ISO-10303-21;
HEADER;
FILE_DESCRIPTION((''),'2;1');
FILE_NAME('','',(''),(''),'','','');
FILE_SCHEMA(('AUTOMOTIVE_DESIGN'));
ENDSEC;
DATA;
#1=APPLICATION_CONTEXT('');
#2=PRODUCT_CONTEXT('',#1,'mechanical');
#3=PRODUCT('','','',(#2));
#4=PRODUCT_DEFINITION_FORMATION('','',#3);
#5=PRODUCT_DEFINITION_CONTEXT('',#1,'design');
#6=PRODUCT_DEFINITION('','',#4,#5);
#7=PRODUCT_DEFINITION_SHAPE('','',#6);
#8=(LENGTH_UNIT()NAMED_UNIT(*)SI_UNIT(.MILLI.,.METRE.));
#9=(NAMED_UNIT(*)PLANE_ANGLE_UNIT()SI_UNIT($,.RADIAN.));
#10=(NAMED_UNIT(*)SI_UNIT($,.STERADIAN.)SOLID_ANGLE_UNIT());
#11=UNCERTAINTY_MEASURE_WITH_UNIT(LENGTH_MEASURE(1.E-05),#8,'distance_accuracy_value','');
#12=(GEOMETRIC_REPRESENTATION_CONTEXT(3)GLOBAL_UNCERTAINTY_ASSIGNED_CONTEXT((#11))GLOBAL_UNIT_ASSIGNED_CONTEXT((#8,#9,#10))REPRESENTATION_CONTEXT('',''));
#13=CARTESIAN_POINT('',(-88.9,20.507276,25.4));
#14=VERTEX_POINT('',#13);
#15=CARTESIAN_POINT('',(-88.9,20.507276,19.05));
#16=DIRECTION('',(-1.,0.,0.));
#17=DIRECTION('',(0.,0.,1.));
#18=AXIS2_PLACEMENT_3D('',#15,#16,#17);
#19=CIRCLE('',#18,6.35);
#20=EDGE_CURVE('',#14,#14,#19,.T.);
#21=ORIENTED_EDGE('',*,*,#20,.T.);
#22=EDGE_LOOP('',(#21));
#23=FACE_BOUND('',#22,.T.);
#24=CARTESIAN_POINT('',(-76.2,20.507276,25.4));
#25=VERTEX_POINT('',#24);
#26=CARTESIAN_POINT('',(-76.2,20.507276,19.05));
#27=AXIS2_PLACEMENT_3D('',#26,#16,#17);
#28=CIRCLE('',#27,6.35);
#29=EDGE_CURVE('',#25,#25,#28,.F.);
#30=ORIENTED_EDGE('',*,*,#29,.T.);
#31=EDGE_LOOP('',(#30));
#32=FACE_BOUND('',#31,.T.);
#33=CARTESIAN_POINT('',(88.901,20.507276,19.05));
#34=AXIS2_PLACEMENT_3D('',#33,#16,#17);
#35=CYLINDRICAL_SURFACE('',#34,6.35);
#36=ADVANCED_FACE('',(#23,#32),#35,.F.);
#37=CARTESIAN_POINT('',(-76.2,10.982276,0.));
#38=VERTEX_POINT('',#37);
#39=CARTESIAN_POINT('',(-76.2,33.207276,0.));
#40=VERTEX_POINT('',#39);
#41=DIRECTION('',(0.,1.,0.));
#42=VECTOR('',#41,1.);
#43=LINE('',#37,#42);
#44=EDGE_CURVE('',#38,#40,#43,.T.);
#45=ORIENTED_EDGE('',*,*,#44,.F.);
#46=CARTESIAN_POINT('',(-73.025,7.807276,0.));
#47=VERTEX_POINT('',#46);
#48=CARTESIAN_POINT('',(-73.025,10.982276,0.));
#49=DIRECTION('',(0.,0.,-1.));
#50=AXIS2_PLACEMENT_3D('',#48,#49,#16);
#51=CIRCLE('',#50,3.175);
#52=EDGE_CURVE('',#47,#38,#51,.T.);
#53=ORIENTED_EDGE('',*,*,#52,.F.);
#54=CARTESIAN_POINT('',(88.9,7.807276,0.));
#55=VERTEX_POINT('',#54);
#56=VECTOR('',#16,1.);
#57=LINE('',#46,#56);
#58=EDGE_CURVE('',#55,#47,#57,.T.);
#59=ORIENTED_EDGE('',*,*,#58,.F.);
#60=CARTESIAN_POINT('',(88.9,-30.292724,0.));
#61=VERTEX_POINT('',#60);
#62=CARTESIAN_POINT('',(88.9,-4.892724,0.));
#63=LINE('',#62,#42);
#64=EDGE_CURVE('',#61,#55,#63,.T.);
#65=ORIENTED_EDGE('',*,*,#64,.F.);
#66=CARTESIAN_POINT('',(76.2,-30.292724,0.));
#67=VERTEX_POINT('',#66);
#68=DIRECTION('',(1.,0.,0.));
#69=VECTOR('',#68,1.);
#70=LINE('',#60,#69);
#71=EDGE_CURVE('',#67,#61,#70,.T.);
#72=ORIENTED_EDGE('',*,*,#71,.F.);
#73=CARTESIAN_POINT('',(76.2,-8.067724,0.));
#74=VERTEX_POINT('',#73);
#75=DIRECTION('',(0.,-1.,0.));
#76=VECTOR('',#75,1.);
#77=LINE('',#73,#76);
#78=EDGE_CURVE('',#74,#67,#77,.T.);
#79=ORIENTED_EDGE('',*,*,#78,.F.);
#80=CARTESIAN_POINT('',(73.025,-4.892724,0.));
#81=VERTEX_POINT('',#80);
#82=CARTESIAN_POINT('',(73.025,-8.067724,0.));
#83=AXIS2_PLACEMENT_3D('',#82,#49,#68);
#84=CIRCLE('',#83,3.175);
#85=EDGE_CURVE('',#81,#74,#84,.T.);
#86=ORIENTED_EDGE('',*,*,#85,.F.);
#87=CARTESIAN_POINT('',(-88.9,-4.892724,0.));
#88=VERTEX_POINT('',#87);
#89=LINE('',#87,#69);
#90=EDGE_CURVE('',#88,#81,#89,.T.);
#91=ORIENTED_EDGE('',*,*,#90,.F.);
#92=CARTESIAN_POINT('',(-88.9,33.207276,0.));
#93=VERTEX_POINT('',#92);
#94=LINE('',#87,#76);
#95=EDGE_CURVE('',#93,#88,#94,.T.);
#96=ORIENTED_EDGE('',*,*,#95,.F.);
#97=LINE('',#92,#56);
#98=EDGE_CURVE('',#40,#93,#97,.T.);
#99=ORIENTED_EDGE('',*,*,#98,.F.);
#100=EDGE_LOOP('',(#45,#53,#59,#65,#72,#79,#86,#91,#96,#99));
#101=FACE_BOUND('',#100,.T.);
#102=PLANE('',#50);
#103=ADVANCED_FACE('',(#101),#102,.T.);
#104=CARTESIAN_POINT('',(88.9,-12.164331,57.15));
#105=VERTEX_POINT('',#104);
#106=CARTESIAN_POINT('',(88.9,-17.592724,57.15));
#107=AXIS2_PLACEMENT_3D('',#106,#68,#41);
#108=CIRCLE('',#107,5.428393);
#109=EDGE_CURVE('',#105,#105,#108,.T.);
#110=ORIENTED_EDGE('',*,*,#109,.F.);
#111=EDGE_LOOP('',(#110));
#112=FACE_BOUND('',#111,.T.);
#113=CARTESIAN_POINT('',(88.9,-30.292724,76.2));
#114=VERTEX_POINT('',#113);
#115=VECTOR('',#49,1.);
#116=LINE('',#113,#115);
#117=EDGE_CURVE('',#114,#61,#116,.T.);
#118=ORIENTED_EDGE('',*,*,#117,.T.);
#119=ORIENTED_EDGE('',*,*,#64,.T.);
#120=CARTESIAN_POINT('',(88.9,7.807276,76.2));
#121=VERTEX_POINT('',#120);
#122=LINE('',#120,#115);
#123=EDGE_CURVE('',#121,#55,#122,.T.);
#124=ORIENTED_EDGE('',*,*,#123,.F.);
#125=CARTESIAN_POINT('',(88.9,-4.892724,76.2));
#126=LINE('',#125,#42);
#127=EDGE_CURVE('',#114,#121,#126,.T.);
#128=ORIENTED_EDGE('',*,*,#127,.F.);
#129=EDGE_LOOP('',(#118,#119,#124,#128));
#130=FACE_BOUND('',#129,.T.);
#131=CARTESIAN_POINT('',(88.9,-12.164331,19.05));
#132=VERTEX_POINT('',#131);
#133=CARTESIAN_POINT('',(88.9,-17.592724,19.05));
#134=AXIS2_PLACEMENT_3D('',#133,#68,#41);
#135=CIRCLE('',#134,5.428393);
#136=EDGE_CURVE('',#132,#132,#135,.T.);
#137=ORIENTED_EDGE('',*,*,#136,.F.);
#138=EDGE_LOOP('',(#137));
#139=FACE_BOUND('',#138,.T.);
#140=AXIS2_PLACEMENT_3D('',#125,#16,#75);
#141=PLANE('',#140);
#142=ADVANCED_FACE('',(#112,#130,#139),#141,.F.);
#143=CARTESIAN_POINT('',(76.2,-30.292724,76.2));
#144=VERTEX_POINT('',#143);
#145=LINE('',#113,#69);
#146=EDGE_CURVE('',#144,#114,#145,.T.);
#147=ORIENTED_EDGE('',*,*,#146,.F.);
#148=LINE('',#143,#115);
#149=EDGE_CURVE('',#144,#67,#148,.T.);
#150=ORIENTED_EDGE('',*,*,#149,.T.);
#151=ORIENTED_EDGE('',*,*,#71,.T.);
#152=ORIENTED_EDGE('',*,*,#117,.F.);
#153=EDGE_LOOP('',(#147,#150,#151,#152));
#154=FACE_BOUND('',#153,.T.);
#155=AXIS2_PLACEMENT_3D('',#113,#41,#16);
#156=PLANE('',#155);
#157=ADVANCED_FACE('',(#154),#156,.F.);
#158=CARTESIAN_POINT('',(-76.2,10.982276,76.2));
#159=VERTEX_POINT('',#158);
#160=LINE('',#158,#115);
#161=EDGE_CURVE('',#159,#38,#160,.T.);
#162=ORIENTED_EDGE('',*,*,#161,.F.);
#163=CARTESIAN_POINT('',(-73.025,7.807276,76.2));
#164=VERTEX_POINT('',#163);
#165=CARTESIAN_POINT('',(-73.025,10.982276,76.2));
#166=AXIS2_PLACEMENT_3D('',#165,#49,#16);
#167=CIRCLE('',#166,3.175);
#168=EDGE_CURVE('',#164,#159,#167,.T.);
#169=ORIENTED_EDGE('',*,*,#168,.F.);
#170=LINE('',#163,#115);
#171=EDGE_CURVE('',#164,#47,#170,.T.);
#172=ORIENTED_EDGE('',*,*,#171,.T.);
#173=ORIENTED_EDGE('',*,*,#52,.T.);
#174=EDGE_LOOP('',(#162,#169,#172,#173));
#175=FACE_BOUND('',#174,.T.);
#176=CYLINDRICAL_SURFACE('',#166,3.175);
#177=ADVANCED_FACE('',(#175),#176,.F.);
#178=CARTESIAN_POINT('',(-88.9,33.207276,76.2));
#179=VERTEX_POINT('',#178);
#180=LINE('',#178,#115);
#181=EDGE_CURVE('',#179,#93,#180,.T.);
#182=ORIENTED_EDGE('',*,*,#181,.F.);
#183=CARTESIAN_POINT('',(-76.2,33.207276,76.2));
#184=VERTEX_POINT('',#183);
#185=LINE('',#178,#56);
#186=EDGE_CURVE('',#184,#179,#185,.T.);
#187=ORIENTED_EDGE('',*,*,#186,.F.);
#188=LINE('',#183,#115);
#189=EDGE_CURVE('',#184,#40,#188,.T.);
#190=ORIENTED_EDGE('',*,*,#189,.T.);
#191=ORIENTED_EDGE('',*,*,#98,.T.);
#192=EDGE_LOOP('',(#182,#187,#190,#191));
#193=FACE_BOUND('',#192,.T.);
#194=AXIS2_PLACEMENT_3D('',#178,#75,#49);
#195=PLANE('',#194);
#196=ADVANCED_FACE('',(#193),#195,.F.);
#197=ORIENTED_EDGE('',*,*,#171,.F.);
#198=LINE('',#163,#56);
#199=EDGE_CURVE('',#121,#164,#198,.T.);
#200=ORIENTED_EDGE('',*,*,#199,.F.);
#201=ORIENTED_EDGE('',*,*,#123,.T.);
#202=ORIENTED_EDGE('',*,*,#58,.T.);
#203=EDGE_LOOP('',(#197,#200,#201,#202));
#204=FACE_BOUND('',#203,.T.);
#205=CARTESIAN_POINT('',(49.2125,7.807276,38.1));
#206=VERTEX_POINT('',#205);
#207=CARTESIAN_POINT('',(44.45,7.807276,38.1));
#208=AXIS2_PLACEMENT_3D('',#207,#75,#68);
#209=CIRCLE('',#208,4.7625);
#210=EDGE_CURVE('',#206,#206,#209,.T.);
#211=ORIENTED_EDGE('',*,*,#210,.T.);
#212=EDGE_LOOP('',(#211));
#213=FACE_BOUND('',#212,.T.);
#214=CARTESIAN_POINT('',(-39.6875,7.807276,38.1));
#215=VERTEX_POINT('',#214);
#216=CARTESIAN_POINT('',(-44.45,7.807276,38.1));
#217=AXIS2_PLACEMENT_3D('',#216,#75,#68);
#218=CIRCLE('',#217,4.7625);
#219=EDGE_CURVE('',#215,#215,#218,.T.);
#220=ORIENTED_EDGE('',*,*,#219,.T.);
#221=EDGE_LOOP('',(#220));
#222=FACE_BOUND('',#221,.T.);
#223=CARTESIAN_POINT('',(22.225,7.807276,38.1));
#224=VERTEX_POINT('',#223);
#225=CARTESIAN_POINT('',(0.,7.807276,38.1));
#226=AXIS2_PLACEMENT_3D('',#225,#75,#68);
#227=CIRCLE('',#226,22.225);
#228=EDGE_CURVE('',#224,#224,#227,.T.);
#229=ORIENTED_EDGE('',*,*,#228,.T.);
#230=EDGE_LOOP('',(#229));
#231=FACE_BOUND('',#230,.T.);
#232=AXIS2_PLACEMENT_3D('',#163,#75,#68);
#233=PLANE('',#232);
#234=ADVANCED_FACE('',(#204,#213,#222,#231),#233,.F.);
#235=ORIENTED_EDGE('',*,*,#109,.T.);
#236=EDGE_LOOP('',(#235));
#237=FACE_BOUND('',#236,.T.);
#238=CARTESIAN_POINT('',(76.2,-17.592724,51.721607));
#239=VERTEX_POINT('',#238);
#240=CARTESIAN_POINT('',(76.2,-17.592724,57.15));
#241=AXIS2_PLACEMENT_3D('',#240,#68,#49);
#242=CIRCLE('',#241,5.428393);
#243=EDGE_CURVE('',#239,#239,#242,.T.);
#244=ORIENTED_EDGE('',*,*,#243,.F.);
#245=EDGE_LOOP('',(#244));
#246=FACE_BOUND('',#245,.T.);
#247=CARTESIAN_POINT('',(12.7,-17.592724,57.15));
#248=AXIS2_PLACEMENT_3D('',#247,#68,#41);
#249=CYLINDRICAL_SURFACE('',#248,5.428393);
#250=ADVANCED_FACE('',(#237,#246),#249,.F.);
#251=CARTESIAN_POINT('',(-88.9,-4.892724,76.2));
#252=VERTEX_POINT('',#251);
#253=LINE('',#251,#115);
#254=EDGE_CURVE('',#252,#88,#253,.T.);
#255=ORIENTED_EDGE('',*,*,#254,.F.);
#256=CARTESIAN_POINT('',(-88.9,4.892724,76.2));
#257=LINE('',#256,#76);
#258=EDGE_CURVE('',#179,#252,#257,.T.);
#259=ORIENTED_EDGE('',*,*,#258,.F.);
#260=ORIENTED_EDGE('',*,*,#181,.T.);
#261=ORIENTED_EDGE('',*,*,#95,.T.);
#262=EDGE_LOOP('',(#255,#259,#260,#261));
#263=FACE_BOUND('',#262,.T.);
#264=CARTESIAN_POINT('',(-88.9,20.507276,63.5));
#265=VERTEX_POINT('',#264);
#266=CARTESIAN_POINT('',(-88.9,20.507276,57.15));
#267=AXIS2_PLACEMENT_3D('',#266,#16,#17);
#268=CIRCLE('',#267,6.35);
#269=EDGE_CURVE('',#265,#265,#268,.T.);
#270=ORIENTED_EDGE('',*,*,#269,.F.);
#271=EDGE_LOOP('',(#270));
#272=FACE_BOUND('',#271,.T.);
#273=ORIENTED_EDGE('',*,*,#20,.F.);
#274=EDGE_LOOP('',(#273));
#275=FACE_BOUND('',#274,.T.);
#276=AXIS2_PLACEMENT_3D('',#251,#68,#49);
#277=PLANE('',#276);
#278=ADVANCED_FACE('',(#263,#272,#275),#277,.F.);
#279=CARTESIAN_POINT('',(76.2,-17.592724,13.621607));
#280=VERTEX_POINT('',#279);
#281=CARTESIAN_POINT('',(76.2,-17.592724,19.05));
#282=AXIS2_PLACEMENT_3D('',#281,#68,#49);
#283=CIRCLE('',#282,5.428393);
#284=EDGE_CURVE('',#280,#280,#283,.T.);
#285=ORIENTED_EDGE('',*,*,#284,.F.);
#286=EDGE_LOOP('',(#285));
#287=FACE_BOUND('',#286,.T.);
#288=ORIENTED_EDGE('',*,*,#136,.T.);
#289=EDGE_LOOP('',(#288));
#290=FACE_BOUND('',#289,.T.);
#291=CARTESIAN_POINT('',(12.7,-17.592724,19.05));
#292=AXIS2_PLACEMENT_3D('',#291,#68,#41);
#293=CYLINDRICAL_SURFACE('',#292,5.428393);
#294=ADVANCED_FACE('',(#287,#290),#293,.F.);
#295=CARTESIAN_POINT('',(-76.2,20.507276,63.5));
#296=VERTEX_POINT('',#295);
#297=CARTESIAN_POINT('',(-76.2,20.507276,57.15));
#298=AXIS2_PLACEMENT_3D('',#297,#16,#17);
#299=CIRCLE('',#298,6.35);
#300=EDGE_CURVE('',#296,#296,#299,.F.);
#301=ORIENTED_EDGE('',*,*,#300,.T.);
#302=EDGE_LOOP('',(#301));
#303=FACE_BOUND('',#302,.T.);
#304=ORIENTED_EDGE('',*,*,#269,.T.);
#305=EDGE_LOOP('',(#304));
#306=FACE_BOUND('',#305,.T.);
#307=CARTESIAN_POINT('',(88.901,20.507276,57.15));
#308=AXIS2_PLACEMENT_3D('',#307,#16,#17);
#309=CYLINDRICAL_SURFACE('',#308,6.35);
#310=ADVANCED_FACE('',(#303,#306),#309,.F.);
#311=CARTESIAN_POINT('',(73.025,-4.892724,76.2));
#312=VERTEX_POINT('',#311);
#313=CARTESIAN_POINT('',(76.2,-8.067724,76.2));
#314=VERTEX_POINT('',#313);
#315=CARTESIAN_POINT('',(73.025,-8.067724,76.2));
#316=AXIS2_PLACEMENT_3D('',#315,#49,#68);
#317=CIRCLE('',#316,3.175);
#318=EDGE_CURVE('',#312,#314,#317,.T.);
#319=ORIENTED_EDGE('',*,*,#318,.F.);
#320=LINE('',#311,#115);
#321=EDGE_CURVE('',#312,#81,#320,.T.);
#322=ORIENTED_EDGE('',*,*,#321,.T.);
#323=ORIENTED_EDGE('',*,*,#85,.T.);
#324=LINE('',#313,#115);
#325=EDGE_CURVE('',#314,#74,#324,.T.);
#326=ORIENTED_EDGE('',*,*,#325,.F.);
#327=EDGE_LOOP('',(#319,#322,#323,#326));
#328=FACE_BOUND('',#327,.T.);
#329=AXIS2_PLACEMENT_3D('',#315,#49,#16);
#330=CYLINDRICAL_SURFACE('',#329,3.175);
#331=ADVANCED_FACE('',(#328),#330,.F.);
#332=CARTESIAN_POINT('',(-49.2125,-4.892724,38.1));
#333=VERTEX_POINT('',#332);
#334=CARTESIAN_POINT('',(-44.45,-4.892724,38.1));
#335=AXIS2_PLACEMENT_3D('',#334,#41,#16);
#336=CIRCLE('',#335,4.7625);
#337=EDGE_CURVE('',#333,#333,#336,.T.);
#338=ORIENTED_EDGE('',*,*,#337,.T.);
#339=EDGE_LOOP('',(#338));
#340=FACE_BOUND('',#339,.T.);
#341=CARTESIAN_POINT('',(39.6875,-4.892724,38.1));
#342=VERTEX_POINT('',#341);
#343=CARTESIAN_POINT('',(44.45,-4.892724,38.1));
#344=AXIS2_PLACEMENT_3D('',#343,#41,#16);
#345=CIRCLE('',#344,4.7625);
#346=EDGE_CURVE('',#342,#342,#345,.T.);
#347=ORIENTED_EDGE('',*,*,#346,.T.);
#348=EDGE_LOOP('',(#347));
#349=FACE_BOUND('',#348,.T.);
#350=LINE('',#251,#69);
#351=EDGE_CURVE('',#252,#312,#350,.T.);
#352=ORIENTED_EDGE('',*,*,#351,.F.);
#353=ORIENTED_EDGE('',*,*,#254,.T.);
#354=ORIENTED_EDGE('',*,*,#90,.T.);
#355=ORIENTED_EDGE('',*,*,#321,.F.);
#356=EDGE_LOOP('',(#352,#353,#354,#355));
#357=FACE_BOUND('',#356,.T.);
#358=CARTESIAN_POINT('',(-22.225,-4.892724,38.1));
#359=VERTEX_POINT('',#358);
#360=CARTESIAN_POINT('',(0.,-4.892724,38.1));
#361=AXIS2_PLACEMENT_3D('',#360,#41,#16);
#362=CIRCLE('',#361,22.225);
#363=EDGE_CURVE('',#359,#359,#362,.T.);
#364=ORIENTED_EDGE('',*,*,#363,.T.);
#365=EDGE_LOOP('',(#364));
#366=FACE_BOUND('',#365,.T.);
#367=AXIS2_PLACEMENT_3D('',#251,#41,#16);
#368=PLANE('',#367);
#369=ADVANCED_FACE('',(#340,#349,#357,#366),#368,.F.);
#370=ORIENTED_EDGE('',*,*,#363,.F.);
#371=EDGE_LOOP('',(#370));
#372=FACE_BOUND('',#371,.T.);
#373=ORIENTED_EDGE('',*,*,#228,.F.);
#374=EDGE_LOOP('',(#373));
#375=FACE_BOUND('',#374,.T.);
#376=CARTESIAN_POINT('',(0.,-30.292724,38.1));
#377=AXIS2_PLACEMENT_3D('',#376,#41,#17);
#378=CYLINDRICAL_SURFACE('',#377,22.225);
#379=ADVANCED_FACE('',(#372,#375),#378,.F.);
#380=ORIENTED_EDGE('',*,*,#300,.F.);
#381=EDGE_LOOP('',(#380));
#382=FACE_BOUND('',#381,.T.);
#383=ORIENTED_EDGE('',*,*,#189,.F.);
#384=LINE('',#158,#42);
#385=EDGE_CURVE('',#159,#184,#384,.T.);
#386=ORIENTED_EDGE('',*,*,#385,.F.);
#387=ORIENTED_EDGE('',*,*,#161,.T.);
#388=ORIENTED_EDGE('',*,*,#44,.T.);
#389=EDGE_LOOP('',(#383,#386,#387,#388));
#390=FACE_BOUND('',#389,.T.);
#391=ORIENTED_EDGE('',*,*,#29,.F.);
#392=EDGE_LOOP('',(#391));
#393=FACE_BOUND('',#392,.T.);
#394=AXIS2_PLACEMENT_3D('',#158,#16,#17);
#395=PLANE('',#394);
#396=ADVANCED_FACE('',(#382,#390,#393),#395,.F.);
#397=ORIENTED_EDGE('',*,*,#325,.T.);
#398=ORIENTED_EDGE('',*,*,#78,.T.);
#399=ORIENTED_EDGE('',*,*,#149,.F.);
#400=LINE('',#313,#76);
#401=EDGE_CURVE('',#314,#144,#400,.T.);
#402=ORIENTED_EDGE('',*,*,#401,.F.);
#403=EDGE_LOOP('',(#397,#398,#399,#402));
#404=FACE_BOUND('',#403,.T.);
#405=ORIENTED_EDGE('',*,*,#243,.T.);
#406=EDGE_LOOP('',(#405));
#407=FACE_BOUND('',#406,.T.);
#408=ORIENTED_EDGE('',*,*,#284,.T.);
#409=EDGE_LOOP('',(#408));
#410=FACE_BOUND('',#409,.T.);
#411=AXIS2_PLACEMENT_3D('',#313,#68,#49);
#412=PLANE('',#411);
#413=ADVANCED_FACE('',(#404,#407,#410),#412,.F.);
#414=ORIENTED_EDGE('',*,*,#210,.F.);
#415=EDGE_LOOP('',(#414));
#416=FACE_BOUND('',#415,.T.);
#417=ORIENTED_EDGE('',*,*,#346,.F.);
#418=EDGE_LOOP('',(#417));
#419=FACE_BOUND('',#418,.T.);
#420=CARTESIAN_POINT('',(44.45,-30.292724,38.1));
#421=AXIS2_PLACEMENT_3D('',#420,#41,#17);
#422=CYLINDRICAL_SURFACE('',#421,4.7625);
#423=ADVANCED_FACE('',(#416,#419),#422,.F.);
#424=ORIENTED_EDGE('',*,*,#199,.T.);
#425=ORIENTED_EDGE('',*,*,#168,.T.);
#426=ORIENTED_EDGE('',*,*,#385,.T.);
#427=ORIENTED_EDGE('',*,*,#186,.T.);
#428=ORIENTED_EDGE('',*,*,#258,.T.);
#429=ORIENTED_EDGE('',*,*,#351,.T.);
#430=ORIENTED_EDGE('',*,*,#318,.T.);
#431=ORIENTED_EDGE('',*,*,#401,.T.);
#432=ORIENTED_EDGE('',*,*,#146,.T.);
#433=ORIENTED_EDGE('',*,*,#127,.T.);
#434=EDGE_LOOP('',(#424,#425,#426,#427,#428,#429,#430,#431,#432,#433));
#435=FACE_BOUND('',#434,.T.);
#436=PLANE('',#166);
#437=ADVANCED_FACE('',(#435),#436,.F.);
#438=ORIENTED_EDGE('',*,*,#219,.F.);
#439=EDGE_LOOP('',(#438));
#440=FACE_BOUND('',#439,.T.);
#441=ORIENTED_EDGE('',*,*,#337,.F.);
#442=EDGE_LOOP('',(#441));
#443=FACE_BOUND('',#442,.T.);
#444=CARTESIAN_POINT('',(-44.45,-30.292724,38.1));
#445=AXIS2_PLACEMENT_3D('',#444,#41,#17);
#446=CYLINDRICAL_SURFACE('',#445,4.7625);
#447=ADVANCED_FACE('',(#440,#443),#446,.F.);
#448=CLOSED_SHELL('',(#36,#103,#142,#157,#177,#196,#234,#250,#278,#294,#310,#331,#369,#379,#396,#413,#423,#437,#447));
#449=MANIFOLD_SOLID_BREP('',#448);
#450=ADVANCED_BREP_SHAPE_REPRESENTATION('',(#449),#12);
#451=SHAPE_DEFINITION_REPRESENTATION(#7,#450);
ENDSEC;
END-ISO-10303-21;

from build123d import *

# Parameters (mm, degrees)
BOSS_EXTRUDE1_DEPTH     = 76.2
SKETCH2_R               = 22.225
SKETCH2_R_2             = 4.7625
CUT_EXTRUDE2_DEPTH      = 34.20727615
CUT_EXTRUDE2_DEPTH_BACK = 31.29272385
CUT_EXTRUDE3_REACH      = 179.8
SKETCH3_R               = 6.35
SKETCH5_R               = 5.428392571
CUT_EXTRUDE4_DEPTH      = 76.2


with BuildPart() as part:
    # Sketch1 → Boss-Extrude1 (new body)
    with BuildSketch(Plane.XY):
        with BuildLine():
            Line((-88.9, -4.89272385), (73.025, -4.89272385))
            ThreePointArc((73.025, -4.89272385), (75.27006403, -5.82265982), (76.2, -8.06772385))
            Line((76.2, -8.06772385), (76.2, -30.29272385))
            Line((76.2, -30.29272385), (88.9, -30.29272385))
            Line((88.9, -30.29272385), (88.9, -4.89272385))
            Line((88.9, -4.89272385), (88.9, 7.80727615))
            Line((88.9, 7.80727615), (-73.025, 7.80727615))
            ThreePointArc((-73.025, 7.80727615), (-75.27006403, 8.73721212), (-76.2, 10.98227615))
            Line((-76.2, 10.98227615), (-76.2, 33.20727615))
            Line((-76.2, 33.20727615), (-88.9, 33.20727615))
            Line((-88.9, 33.20727615), (-88.9, 4.89272385))
            Line((-88.9, 4.89272385), (-88.9, -4.89272385))
        make_face()
    extrude(amount=BOSS_EXTRUDE1_DEPTH)

    # Sketch2 → Cut-Extrude2 (cut, two sides)
    with BuildSketch(Plane(origin=(0, 0, 0), x_dir=(1, 0, 0), z_dir=(0, 1, 0))) as cut_extrude2_sk:
        with Locations((0, -38.1)):
            Circle(SKETCH2_R)
        with Locations((-44.45, -38.1)):
            Circle(SKETCH2_R_2)
        with Locations((44.45, -38.1)):
            Circle(SKETCH2_R_2)
    extrude(amount=CUT_EXTRUDE2_DEPTH, mode=Mode.SUBTRACT)
    extrude(cut_extrude2_sk.sketch, amount=-CUT_EXTRUDE2_DEPTH_BACK, mode=Mode.SUBTRACT)

    # Sketch3 → Cut-Extrude3 (cut, up to next)
    with BuildSketch(Plane.ZY.offset(88.9), mode=Mode.PRIVATE) as cut_extrude3_sk1:
        with Locations((19.05, 20.50727615)):
            Circle(SKETCH3_R)
    cut_extrude3_tool1 = extrude(cut_extrude3_sk1.sketch, amount=-CUT_EXTRUDE3_REACH, mode=Mode.PRIVATE) & part.part
    add(cut_extrude3_tool1.solids().sort_by_distance((-88.9, 20.507276, 19.05))[0], mode=Mode.SUBTRACT)
    # Sketch3 → Cut-Extrude3 (cut, up to next)
    with BuildSketch(Plane.ZY.offset(88.9), mode=Mode.PRIVATE) as cut_extrude3_sk2:
        with Locations((57.15, 20.50727615)):
            Circle(SKETCH3_R)
    cut_extrude3_tool2 = extrude(cut_extrude3_sk2.sketch, amount=-CUT_EXTRUDE3_REACH, mode=Mode.PRIVATE) & part.part
    add(cut_extrude3_tool2.solids().sort_by_distance((-88.9, 20.507276, 57.15))[0], mode=Mode.SUBTRACT)

    # Sketch5 → Cut-Extrude4 (cut)
    with BuildSketch(Plane(origin=(88.9, 0, 0), x_dir=(0, 0, -1), z_dir=(1, 0, 0))):
        with Locations((-57.15, -17.59272385)):
            Circle(SKETCH5_R)
        with Locations((-19.05, -17.59272385)):
            Circle(SKETCH5_R)
    extrude(amount=-CUT_EXTRUDE4_DEPTH, mode=Mode.SUBTRACT)


solid = part.part
